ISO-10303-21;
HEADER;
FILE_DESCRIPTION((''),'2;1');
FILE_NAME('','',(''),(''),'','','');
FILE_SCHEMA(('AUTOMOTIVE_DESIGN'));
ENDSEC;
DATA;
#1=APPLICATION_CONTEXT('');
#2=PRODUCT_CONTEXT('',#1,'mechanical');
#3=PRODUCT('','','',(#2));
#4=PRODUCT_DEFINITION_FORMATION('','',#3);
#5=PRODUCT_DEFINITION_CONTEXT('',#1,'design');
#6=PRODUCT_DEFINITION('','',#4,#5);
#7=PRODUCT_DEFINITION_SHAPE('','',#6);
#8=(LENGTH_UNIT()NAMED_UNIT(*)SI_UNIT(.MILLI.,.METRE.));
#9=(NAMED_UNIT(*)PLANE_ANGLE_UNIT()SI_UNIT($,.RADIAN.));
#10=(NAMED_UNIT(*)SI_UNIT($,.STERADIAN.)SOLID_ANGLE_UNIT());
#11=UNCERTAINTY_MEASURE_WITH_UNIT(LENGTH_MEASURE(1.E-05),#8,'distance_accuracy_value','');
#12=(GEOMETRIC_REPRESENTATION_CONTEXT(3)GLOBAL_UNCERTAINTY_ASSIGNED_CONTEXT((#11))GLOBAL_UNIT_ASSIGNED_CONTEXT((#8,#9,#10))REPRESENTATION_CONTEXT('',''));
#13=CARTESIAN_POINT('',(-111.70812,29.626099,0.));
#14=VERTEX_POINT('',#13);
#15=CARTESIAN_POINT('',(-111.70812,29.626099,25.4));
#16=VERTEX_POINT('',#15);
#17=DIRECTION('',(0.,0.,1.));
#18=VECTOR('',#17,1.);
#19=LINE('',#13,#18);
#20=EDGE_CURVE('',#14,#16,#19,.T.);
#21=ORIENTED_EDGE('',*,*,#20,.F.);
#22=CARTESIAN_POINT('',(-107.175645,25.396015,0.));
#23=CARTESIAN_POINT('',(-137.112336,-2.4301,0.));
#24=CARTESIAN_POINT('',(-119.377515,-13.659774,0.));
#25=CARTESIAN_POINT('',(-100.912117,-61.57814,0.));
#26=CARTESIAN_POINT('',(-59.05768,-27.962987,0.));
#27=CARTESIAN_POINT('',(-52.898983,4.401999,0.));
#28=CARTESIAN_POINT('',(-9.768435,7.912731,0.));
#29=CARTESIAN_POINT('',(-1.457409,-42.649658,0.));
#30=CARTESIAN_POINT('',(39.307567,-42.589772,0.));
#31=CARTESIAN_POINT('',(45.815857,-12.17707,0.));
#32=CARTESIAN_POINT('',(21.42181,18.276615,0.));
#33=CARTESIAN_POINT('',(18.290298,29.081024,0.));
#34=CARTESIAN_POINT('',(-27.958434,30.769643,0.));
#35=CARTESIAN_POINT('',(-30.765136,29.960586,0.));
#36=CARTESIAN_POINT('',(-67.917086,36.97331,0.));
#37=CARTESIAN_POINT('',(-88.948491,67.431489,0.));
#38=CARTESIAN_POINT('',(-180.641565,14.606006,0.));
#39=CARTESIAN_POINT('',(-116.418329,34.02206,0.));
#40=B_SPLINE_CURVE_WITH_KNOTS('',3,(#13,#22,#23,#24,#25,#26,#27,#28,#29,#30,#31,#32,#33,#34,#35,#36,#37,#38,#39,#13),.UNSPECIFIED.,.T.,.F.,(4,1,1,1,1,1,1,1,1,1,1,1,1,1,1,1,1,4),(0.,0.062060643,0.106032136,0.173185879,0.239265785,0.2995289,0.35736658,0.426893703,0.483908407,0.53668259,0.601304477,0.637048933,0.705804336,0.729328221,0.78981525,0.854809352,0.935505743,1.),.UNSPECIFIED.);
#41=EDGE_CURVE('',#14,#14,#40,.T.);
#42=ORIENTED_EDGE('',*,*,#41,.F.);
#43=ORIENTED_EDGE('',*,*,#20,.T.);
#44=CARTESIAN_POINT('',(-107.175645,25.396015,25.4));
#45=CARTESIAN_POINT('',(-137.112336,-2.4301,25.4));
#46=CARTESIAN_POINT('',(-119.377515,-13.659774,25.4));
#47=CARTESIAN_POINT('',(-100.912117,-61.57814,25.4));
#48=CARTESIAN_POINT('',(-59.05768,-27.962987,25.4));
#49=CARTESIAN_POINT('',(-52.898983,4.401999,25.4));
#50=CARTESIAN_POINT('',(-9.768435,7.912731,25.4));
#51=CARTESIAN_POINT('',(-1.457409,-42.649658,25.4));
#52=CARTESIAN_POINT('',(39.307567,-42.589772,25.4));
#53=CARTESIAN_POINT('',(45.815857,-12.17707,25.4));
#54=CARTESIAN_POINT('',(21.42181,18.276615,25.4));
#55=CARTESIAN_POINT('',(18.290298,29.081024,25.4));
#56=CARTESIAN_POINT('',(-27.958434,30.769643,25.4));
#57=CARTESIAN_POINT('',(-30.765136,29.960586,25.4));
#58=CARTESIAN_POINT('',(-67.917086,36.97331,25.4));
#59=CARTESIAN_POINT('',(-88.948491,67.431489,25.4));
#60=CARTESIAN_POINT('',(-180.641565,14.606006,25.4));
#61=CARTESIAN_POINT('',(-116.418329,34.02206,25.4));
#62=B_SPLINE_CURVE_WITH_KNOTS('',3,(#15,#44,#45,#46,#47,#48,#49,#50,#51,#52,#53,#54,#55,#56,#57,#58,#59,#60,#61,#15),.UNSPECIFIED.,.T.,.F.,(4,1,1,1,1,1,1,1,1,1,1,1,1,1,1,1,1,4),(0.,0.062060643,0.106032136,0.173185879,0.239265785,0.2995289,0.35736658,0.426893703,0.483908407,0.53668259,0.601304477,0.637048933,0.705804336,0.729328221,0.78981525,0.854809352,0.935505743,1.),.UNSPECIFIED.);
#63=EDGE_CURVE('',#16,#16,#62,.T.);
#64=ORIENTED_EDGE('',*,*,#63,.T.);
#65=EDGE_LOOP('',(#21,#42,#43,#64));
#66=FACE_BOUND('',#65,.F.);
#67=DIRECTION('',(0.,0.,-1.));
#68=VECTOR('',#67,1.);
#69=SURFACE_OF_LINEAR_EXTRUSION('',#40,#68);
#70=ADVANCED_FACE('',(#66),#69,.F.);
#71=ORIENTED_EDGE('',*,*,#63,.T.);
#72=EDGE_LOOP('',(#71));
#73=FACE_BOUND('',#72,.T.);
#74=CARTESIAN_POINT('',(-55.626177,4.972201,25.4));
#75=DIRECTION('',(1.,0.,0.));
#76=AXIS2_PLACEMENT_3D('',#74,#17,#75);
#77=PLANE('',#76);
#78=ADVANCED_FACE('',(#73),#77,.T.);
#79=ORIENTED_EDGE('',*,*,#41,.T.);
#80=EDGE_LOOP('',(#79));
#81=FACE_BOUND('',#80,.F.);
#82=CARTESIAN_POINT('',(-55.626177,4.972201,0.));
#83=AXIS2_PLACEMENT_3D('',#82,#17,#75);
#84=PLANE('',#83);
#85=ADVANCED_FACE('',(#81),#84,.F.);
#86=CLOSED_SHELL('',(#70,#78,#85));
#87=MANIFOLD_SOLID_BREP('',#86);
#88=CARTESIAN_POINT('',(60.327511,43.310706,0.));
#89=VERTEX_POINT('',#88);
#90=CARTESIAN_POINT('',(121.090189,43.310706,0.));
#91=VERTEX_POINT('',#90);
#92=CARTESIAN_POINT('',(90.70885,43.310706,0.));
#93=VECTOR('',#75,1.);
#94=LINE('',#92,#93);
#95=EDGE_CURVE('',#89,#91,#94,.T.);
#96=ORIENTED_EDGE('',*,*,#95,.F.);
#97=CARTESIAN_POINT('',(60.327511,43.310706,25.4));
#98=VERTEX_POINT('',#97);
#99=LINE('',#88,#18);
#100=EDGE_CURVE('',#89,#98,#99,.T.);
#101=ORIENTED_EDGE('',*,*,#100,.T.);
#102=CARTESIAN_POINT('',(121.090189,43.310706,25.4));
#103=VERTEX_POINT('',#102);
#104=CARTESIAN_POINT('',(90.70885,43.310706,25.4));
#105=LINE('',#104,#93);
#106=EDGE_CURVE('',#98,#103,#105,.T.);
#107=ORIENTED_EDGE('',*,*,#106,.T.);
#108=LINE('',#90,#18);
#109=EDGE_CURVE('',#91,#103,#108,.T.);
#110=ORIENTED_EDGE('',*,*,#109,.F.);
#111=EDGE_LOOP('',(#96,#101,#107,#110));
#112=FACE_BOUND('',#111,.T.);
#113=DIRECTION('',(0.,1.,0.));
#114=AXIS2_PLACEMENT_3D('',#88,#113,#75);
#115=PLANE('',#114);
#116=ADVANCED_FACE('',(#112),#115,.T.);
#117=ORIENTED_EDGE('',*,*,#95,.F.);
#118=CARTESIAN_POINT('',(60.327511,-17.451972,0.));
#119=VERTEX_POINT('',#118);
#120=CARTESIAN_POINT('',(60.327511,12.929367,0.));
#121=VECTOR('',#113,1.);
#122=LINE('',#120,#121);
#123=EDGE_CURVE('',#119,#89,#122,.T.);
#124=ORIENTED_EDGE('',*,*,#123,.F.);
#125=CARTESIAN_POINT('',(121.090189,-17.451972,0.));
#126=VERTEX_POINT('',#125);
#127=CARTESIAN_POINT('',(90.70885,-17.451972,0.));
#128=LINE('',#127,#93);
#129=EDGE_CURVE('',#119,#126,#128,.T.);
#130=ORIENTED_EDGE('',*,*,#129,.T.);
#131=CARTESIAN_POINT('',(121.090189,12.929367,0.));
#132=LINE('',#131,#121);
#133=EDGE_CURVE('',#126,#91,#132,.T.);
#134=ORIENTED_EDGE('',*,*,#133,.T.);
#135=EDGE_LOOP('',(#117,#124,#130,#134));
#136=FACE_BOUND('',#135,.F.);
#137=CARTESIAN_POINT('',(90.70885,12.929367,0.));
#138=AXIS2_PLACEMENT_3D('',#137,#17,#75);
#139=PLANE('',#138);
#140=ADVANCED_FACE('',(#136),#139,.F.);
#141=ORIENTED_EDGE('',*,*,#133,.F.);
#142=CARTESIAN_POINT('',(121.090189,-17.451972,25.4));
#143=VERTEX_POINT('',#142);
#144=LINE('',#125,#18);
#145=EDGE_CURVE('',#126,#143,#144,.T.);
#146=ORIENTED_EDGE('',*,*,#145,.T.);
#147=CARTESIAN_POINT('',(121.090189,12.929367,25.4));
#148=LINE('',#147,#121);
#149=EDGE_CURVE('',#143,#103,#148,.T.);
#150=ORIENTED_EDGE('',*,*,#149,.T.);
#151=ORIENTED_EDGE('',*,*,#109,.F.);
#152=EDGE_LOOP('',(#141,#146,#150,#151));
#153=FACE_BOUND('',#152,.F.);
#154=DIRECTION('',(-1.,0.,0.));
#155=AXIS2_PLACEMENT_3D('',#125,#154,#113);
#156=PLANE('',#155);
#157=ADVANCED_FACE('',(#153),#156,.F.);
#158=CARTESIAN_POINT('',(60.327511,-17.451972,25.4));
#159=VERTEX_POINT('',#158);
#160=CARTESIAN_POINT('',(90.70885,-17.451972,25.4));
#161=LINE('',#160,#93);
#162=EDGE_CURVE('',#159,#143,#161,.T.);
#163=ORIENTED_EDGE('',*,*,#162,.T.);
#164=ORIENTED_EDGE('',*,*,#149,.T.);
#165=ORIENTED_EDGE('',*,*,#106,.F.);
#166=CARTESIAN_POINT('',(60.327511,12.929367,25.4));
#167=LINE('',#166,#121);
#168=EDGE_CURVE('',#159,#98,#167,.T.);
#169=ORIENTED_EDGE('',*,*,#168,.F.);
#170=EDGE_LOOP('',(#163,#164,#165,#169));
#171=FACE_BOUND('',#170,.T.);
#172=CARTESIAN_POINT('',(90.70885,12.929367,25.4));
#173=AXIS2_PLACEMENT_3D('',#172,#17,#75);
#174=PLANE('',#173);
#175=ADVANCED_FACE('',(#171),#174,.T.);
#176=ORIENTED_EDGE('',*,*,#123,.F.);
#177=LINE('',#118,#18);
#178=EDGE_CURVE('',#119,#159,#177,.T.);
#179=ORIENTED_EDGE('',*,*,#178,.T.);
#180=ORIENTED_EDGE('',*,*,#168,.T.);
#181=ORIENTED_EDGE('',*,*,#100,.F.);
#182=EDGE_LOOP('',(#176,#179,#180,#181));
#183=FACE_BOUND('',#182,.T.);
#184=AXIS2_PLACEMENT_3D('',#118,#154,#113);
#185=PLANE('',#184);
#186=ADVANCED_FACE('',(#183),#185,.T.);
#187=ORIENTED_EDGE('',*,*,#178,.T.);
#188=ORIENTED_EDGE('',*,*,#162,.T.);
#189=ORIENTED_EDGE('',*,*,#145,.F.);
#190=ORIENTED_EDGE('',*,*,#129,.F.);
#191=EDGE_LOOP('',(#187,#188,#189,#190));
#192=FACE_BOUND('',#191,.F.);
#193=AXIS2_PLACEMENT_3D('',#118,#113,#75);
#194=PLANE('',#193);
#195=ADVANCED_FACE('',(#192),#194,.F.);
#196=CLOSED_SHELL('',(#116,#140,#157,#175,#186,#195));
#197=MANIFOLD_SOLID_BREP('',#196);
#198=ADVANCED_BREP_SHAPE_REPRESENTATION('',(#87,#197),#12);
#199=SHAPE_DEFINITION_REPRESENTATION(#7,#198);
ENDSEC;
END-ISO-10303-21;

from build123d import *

# Parameters (mm, degrees)
F1_DEPTH = 25.4
F2_W     = 60.7626773417
F2_H     = 60.7626773417
F3_DEPTH = 25.4


with BuildPart() as f1:
    # F0 (on Top) → F1 (new body)
    with BuildSketch(Plane.XY):
        with BuildLine():
            add(Edge.make_bspline(
                [(-111.7081195116, 29.6260993928), (-107.1756445082, 25.3960151092), (-137.1123356032, -2.4301003868), (-119.377515008, -13.6597744772), (-100.9121171709, -61.57814042), (-59.0576800617, -27.9629873083), (-52.8989829461, 4.4019988211), (-9.7684354682, 7.9127309167), (-1.4574088651, -42.6496582308), (39.3075666358, -42.5897720407), (45.8158572094, -12.1770698782), (21.4218103706, 18.276614589), (18.290298383, 29.081024316), (-27.958434485, 30.7696428924), (-30.7651363802, 29.9605856431), (-67.9170855546, 36.9733098392), (-88.9484906822, 67.4314894578), (-180.6415649984, 14.6060064261), (-116.4183286794, 34.0220600452), (-111.7081195116, 29.6260993928)],
                knots=[0, 0, 0, 0, 0.0620606427, 0.1060321358, 0.1731858789, 0.2392657852, 0.2995289, 0.3573665799, 0.426893703, 0.4839084067, 0.5366825901, 0.6013044766, 0.6370489328, 0.7058043364, 0.7293282214, 0.7898152495, 0.8548093524, 0.9355057429, 1, 1, 1, 1], degree=3))
        make_face()
    extrude(amount=F1_DEPTH)


with BuildPart() as f3:
    # F2 (on Top) → F3 (new body)
    with BuildSketch(Plane.XY):
        with Locations((90.7088499516, 12.9293669015)):
            Rectangle(F2_W, F2_H)
    extrude(amount=F3_DEPTH)


solid = Compound([f1.part, f3.part])
